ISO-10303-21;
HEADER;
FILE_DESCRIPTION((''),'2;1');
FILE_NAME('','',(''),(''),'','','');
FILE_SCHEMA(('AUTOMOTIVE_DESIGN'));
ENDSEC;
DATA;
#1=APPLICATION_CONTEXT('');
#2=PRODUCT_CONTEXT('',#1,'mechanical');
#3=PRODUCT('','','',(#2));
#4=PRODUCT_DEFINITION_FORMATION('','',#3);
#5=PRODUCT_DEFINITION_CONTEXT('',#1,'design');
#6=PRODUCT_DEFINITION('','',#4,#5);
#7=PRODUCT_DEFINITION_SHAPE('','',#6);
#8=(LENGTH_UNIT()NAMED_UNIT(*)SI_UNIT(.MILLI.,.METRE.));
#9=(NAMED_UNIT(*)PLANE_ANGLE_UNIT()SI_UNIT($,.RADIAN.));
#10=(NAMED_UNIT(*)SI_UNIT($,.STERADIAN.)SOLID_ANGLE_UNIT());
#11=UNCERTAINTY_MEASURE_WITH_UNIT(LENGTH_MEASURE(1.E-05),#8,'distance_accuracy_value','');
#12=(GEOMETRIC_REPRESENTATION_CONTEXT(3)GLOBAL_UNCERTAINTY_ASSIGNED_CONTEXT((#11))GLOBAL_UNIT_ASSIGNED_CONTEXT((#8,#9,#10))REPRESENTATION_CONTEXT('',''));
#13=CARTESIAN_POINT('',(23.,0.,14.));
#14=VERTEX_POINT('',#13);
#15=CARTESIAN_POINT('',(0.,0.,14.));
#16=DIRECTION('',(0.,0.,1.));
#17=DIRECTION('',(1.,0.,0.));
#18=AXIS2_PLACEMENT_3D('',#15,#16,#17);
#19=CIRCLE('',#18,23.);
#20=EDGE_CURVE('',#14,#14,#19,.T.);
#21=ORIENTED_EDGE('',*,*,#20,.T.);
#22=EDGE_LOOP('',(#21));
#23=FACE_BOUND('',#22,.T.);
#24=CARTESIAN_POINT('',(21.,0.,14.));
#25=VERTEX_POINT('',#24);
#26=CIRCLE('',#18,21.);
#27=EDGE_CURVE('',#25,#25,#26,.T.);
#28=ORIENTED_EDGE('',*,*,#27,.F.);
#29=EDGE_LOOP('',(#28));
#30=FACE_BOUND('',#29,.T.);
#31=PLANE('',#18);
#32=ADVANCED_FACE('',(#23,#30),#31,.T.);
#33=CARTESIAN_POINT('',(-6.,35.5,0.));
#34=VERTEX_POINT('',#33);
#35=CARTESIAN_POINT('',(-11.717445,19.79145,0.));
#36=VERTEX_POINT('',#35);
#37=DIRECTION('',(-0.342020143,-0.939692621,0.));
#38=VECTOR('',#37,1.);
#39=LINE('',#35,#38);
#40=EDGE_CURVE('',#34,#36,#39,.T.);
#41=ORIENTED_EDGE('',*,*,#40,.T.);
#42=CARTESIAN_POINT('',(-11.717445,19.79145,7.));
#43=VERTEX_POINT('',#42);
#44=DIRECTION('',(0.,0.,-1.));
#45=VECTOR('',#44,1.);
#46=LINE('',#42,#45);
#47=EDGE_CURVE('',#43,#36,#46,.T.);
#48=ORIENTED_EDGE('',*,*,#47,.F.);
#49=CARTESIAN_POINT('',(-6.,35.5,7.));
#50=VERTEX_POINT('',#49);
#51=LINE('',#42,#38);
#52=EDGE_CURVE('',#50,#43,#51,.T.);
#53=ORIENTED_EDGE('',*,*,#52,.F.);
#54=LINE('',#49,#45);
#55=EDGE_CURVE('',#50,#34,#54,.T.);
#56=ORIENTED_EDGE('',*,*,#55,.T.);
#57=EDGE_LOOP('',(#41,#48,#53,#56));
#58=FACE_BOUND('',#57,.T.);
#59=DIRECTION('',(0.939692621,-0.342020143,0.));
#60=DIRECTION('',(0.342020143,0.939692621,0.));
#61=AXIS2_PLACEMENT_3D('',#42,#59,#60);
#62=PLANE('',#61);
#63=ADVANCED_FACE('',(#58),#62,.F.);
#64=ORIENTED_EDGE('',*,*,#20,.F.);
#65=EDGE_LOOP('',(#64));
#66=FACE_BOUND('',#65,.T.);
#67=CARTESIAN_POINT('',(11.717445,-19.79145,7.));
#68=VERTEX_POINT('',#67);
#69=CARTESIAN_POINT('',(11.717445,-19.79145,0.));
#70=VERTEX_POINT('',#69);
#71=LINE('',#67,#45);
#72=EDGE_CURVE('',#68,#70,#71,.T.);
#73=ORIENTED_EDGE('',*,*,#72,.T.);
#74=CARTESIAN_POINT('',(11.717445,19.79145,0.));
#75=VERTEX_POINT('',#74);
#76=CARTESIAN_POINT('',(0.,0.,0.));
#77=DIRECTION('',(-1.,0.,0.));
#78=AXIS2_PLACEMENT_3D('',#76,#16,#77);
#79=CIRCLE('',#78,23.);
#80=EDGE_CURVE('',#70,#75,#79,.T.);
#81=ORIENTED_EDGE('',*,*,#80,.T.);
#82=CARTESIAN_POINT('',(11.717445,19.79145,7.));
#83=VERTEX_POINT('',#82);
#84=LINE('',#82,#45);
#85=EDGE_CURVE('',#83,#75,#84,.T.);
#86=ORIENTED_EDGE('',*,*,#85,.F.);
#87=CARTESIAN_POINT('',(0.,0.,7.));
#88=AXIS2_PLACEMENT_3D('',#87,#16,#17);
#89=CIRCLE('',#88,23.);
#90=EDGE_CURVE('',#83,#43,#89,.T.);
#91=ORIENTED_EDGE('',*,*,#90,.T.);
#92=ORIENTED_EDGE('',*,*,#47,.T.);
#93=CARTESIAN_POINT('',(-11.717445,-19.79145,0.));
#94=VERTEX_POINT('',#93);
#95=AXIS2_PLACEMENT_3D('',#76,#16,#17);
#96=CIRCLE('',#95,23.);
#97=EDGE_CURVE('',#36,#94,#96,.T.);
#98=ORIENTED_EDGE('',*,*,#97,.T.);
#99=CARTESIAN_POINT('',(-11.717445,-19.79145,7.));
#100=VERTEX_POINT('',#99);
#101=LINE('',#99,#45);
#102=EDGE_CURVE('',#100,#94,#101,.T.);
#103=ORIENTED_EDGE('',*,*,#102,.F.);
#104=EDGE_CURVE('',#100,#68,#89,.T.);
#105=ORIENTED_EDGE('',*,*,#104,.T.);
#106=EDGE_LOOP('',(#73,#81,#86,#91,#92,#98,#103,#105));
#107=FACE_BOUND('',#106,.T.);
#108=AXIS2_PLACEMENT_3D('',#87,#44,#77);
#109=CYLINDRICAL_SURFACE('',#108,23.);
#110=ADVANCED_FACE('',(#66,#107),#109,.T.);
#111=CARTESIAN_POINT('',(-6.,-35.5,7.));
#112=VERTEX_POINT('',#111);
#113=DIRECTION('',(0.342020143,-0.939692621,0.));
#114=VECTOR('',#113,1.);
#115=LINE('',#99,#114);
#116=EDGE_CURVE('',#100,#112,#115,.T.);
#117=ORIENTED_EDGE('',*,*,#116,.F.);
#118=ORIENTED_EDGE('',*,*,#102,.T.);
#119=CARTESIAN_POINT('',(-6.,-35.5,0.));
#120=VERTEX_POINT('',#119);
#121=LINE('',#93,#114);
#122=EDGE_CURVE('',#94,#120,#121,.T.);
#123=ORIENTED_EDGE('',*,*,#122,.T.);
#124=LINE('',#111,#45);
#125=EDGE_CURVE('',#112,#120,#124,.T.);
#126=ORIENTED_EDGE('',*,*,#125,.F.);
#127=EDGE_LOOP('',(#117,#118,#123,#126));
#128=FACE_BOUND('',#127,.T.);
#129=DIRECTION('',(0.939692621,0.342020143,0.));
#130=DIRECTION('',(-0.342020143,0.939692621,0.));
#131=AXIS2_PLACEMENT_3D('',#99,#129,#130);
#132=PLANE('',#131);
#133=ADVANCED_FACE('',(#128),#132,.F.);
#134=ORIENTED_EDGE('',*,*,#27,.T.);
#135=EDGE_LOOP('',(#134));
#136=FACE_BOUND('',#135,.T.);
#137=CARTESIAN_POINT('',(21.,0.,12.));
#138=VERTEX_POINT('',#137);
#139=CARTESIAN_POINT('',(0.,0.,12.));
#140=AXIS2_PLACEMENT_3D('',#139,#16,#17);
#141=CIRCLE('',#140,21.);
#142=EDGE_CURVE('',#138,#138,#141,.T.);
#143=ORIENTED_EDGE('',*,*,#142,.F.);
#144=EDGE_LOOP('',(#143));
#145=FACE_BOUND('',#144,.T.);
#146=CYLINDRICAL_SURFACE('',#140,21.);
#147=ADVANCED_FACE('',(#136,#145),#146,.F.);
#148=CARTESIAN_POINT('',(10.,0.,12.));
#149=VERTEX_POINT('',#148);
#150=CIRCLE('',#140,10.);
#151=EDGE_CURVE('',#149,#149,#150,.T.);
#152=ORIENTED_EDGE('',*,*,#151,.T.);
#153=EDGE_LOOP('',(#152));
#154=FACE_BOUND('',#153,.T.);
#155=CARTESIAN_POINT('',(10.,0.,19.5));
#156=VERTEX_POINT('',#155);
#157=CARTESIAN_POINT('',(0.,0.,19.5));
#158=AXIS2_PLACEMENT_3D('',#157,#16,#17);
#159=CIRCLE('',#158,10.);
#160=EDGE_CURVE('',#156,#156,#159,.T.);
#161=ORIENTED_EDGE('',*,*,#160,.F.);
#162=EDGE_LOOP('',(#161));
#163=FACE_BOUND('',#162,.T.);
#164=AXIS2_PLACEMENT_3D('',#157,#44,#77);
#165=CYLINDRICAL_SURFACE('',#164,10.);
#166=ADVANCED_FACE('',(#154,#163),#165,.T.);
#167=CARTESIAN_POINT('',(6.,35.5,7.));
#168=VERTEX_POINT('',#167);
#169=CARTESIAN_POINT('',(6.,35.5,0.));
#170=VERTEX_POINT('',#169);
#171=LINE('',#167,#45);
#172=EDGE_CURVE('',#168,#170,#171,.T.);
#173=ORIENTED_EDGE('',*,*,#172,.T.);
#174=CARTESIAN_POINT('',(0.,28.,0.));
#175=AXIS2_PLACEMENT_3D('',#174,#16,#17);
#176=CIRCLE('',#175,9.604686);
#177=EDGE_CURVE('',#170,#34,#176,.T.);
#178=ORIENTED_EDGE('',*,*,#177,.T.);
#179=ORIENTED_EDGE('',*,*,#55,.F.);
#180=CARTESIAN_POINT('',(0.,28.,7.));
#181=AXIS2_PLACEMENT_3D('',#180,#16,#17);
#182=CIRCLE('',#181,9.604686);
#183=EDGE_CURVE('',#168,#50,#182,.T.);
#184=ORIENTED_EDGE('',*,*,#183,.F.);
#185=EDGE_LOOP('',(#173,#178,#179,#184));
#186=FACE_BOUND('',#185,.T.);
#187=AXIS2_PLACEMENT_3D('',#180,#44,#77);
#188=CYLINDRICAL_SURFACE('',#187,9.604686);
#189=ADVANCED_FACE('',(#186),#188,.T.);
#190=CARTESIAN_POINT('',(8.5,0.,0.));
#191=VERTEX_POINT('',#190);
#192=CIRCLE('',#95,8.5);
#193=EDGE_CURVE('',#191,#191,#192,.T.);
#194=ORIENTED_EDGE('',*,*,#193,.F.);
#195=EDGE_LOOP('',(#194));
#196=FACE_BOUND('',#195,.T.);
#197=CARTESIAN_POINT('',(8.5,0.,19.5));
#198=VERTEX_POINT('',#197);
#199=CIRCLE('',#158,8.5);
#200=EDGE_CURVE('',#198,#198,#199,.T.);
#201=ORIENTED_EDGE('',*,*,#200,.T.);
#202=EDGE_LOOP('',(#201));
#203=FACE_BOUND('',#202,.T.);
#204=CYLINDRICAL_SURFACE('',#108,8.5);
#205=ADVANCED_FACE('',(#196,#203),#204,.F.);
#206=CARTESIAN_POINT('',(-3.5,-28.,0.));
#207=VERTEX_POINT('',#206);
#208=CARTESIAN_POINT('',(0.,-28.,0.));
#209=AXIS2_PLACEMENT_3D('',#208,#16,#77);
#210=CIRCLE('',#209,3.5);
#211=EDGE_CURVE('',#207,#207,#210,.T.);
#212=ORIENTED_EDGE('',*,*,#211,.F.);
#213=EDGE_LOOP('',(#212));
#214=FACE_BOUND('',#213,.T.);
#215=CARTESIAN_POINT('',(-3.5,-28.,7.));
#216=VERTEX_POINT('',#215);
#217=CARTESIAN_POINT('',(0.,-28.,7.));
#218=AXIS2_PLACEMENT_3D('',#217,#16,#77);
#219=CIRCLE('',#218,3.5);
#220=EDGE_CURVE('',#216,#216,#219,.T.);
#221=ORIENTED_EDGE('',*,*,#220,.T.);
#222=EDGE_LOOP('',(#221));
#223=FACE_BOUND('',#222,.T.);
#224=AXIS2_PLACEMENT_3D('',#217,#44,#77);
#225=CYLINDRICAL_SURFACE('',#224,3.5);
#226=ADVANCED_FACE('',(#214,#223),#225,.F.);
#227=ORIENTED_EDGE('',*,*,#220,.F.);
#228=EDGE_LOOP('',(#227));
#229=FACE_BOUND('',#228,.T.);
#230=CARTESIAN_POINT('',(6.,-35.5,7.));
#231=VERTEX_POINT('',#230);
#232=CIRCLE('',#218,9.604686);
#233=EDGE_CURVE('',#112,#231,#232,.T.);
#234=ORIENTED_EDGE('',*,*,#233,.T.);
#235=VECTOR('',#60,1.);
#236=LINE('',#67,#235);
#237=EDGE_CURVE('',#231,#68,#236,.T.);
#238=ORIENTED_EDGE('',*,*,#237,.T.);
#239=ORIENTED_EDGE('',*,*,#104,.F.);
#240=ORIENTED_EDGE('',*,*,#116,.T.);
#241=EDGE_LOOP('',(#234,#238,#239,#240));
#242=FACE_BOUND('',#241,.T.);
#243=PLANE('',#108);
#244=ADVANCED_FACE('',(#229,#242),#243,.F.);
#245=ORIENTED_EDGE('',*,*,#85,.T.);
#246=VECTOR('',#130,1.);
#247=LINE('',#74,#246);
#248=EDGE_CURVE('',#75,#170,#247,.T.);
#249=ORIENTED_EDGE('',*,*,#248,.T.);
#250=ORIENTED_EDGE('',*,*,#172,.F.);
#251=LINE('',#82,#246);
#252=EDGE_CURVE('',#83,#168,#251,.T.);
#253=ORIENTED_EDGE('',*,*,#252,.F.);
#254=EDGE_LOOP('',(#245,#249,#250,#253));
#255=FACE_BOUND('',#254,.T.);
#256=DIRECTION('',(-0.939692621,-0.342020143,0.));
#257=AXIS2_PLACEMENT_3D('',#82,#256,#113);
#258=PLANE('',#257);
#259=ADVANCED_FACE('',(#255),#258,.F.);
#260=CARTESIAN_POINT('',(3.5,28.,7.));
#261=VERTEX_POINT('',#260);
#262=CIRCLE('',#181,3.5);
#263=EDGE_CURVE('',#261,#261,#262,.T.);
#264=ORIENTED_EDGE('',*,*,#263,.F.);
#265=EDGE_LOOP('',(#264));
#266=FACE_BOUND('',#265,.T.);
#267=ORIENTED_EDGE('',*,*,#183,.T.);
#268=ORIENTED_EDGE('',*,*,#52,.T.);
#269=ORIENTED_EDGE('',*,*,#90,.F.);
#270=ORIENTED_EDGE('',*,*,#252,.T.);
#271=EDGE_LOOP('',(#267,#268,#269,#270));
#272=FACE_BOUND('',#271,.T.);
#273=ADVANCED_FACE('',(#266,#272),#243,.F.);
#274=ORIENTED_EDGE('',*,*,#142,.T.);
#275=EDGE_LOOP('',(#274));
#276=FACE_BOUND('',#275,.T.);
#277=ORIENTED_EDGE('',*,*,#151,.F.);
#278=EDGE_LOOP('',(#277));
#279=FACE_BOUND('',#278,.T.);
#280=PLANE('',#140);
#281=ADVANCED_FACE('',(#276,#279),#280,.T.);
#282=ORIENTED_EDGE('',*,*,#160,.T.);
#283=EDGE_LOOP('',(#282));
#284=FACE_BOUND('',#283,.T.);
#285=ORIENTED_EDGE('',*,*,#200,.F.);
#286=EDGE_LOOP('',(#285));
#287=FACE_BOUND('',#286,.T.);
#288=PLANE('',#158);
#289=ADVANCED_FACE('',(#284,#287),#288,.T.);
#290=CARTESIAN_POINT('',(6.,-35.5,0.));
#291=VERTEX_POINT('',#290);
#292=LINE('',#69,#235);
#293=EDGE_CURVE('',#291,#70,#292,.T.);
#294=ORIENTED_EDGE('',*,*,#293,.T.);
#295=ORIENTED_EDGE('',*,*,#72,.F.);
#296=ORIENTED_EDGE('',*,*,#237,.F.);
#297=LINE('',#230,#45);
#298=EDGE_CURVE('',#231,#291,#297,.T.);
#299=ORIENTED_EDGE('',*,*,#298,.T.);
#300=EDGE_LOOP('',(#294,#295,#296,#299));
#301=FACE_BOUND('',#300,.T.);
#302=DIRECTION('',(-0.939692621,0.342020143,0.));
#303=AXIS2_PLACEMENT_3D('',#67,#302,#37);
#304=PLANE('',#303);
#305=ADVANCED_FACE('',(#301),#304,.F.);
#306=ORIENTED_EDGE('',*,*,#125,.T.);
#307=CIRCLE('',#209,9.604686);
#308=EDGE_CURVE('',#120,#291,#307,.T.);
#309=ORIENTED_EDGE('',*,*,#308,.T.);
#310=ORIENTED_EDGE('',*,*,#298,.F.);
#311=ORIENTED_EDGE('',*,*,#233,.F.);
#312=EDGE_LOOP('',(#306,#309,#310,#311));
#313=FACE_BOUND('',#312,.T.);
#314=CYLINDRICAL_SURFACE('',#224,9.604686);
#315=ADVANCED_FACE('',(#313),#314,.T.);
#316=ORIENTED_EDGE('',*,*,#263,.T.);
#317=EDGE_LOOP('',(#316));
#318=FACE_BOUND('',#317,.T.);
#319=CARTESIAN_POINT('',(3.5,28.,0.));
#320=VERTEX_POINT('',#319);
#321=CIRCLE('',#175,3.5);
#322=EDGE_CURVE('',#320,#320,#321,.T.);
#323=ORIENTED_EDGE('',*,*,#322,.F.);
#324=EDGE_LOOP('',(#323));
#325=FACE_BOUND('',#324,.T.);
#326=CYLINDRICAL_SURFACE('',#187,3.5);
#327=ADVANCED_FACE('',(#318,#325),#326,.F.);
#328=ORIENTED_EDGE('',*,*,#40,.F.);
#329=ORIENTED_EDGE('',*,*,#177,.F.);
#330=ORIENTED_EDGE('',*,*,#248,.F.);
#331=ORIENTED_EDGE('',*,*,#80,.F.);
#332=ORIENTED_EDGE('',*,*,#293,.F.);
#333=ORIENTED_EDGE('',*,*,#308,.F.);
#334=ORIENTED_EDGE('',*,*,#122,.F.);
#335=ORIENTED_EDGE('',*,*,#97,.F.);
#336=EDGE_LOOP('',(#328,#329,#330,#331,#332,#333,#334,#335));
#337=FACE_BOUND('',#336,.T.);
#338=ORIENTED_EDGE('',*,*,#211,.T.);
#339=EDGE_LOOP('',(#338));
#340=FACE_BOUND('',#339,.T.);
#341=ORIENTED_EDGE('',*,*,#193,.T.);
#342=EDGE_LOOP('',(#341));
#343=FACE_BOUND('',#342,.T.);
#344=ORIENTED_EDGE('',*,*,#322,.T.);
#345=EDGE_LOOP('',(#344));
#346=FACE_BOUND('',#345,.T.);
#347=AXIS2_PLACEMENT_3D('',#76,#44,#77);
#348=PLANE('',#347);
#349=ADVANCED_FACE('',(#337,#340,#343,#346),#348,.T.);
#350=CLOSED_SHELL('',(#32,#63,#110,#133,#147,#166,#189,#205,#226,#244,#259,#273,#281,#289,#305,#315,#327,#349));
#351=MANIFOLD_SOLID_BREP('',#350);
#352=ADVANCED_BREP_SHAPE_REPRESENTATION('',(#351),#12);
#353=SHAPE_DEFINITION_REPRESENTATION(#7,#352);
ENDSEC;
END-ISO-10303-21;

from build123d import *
from build123d.topology import SkipClean

# Parameters (mm, degrees)
ESQUISSE1_R             = 3.5
ESQUISSE1_R_2           = 8.5
BOSS_EXTRU_1_DEPTH      = 7
ESQUISSE2_R             = 23
ESQUISSE2_R_2           = 8.5
BOSS_EXTRU_2_DEPTH      = 7
ESQUISSE3_R             = 10
ESQUISSE3_R_2           = 8.5
BOSS_EXTRU_3_DEPTH      = 5.5
ENL_V_START             = -2
ESQUISSE4_R             = 21
ESQUISSE4_R_2           = 10
ENL_V_MAT_EXTRU_1_DEPTH = 2


with BuildPart() as part:
    # Esquisse1 → Boss.-Extru.1 (new body)
    with BuildSketch(Plane.XY):
        with BuildLine():
            Line((11.717444642, 19.791449948), (6, 35.5))
            ThreePointArc((6, 35.5), (0, 37.604686356), (-6, 35.5))
            Line((-6, 35.5), (-11.717444642, 19.791449948))
            ThreePointArc((-11.717444642, 19.791449948), (-23, 0), (-11.717444642, -19.791449948))
            Line((-11.717444642, -19.791449948), (-6, -35.5))
            ThreePointArc((-6, -35.5), (0, -37.604686356), (6, -35.5))
            Line((6, -35.5), (11.717444642, -19.791449948))
            ThreePointArc((11.717444642, -19.791449948), (23, 0), (11.717444642, 19.791449948))
        make_face()
        with Locations((0, 28)):
            Circle(ESQUISSE1_R, mode=Mode.SUBTRACT)
        Circle(ESQUISSE1_R_2, mode=Mode.SUBTRACT)
        with Locations(Location((0, -28, 0), (0, 0, 180))):
            Circle(ESQUISSE1_R, mode=Mode.SUBTRACT)
    extrude(amount=BOSS_EXTRU_1_DEPTH)

    # Esquisse2 → Boss.-Extru.2 (add)
    with BuildSketch(Plane.XY.offset(7)):
        with Locations(Location((0, 0, 0), (0, 0, 120.627475448))):
            Circle(ESQUISSE2_R)
        Circle(ESQUISSE2_R_2, mode=Mode.SUBTRACT)
    extrude(amount=BOSS_EXTRU_2_DEPTH)

    # Esquisse3 → Boss.-Extru.3 (add)
    with SkipClean():  # the faces are left unmerged after this step: merging them gives an invalid solid
        with BuildSketch(Plane.XY.offset(14)):
            Circle(ESQUISSE3_R)
            Circle(ESQUISSE3_R_2, mode=Mode.SUBTRACT)
        extrude(amount=BOSS_EXTRU_3_DEPTH)

    # Esquisse4 → Enlèv. mat.-Extru.1 (cut)
    with SkipClean():  # the faces are left unmerged after this step: merging them gives an invalid solid
        with BuildSketch(Plane.XY.offset(14).offset(ENL_V_START)):
            Circle(ESQUISSE4_R)
            Circle(ESQUISSE4_R_2, mode=Mode.SUBTRACT)
        extrude(amount=ENL_V_MAT_EXTRU_1_DEPTH, mode=Mode.SUBTRACT)


solid = part.part
